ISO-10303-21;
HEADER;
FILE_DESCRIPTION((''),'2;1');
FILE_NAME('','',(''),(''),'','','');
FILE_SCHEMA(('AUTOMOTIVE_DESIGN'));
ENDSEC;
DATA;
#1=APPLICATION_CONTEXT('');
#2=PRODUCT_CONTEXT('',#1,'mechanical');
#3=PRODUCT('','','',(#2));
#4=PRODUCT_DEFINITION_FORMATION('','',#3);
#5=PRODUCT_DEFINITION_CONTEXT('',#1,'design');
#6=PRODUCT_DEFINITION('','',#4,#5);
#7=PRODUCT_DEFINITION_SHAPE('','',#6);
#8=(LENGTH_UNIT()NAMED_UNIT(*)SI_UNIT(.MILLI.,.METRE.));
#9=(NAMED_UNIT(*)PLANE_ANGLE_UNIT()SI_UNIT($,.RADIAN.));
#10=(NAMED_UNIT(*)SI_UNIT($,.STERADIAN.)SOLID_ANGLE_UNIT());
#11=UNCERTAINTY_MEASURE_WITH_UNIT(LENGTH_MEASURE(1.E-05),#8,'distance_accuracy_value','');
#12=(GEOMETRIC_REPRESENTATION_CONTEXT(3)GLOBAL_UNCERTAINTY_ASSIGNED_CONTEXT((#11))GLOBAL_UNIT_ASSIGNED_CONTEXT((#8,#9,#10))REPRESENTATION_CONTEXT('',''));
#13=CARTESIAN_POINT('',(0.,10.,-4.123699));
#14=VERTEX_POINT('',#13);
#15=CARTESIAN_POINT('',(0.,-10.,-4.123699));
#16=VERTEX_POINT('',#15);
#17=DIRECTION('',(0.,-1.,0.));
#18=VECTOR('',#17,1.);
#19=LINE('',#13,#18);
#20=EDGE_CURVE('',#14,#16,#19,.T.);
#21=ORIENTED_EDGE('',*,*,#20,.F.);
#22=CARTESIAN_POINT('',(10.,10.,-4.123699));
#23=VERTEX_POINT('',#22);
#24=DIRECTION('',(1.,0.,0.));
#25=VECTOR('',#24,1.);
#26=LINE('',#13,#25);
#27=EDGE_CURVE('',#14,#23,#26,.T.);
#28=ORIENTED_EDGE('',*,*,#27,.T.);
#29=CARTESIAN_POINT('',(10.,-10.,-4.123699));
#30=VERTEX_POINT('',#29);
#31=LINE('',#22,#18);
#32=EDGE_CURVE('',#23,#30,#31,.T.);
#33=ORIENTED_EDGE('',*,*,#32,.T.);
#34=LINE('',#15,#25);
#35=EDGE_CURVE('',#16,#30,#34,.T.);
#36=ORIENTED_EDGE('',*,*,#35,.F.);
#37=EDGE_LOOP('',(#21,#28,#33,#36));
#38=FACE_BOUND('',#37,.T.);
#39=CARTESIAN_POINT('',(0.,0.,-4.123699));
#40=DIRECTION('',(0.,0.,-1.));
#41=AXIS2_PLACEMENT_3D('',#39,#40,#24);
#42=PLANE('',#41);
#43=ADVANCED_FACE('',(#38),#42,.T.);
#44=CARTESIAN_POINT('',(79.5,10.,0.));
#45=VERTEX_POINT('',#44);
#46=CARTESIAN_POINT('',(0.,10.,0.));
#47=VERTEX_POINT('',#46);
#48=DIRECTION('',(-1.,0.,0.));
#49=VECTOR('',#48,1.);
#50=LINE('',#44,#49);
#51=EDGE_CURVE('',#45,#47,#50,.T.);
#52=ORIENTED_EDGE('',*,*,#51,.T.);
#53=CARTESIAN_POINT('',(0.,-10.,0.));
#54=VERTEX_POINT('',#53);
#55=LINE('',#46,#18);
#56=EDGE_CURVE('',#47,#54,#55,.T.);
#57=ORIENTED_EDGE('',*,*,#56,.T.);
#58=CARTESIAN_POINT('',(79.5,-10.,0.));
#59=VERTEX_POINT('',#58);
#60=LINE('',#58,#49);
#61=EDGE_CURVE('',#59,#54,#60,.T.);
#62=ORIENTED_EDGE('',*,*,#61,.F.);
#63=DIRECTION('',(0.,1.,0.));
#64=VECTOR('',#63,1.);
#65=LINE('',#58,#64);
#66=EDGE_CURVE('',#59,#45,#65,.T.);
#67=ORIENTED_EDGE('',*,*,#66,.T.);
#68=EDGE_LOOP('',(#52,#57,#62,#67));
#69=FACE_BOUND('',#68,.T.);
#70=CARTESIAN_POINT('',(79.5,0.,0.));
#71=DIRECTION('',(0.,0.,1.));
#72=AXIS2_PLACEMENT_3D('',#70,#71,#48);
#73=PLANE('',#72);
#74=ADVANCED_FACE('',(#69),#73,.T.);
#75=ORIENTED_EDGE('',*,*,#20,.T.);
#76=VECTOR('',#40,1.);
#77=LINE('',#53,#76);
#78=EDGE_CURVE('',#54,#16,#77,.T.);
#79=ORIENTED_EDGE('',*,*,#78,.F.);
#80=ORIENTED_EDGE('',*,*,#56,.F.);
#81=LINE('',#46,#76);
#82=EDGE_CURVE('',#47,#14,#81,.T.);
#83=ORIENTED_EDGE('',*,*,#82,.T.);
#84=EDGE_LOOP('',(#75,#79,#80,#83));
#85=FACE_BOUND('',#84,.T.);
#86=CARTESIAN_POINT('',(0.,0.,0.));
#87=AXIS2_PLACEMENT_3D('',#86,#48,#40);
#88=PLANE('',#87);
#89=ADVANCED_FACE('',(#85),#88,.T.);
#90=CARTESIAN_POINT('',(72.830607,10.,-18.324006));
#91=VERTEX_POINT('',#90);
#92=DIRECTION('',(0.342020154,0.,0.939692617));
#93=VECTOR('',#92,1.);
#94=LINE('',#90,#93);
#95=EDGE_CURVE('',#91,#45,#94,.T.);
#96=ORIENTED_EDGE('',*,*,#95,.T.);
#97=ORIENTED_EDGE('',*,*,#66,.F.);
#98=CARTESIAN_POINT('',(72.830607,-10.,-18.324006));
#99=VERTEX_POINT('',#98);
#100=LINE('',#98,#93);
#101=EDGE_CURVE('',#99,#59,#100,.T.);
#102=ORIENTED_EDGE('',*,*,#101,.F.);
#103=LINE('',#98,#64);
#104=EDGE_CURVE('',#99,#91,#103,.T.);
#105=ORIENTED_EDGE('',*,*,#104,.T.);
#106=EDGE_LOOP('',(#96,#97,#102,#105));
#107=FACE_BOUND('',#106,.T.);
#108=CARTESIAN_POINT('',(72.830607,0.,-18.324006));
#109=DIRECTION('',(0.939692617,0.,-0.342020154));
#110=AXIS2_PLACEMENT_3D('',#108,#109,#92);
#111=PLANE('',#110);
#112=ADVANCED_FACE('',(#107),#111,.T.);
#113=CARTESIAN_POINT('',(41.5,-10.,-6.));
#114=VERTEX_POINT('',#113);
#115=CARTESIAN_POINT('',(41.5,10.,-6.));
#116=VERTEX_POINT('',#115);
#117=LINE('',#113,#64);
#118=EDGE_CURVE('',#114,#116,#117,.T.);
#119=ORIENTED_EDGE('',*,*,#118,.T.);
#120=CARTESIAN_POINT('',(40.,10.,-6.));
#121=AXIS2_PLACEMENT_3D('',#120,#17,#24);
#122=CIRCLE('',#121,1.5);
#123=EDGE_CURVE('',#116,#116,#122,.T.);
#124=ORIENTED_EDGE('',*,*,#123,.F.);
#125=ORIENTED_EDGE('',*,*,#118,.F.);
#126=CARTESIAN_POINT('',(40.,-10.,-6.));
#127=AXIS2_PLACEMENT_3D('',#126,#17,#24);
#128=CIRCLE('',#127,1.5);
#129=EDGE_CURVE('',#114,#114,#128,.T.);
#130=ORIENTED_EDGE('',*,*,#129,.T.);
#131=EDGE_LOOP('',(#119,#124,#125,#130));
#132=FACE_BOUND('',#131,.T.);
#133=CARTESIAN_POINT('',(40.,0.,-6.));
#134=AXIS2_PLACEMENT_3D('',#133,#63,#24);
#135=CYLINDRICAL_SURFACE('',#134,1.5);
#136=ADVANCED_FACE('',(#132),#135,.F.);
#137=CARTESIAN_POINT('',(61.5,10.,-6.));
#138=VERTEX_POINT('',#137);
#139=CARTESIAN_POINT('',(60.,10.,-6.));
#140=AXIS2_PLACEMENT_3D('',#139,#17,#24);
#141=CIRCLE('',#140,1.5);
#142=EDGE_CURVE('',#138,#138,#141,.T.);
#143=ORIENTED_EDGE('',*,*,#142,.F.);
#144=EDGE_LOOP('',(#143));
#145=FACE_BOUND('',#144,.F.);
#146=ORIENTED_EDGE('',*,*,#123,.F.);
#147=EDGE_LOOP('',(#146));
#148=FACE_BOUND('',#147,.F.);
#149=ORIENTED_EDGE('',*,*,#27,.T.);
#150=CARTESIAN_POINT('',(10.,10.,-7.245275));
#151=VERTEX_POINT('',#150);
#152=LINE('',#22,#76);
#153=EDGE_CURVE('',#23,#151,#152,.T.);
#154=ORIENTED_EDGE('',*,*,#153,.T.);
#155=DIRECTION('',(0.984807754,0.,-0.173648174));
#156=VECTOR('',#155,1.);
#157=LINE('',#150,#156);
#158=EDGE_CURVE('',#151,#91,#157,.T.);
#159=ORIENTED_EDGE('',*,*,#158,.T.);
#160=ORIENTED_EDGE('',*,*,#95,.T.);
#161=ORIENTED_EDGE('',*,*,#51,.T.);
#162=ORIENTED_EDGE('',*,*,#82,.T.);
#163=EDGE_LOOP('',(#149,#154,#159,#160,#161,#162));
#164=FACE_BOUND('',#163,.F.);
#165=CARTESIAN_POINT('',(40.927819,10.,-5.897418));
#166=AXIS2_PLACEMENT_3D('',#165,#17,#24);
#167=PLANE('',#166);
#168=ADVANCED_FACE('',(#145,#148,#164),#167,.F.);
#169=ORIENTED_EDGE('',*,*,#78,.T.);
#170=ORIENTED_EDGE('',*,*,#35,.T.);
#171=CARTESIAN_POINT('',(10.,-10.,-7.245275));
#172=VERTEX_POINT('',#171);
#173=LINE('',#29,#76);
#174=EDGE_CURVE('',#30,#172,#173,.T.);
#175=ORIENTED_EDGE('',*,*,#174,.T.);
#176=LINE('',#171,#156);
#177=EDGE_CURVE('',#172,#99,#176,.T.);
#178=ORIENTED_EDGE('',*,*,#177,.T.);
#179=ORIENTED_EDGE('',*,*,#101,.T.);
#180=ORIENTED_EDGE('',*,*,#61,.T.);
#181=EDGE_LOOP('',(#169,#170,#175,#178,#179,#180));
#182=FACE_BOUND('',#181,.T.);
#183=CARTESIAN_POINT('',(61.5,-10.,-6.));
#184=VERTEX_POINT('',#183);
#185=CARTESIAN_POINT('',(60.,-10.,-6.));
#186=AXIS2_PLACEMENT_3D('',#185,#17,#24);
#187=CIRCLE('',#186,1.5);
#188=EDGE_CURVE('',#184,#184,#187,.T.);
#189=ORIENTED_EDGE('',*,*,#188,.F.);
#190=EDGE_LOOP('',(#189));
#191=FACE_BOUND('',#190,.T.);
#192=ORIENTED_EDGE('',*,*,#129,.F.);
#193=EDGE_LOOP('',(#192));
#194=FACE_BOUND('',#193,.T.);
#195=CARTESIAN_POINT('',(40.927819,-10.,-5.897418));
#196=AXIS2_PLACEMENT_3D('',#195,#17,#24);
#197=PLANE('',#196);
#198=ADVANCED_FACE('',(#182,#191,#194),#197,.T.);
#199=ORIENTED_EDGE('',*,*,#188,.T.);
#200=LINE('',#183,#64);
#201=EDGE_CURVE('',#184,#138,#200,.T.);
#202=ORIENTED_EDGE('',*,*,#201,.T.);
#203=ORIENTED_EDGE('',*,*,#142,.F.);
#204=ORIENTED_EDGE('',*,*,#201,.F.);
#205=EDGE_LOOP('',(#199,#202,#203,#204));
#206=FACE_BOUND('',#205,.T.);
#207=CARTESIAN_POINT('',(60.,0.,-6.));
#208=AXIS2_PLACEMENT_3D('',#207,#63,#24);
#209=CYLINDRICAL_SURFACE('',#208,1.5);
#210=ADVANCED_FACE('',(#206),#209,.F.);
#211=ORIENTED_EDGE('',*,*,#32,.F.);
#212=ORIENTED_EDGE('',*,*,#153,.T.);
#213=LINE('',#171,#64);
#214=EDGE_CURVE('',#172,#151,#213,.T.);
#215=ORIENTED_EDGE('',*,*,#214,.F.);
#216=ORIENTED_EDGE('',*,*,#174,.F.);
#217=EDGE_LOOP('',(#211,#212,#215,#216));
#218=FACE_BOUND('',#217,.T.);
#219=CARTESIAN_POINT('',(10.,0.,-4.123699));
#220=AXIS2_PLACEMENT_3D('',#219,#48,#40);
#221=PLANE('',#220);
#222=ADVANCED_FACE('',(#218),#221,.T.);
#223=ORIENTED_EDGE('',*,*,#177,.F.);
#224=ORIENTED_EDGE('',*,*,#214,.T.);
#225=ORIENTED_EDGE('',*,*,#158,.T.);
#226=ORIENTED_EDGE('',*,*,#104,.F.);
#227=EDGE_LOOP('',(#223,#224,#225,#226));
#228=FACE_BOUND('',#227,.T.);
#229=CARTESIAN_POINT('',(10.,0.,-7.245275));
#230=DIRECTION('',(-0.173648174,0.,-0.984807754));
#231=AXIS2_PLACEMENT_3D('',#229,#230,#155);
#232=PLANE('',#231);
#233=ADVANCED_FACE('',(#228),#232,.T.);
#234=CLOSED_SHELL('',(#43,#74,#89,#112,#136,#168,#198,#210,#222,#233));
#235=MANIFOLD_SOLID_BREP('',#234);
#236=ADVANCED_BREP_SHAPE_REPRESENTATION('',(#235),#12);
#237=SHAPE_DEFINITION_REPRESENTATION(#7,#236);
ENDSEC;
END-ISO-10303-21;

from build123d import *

# Parameters (mm, degrees)
F0_R     = 1.5
F1_DEPTH = 10


with BuildPart() as f1:
    # F0 (on Front) → F1 (new body, symmetric)
    with BuildSketch(Plane.XZ):
        Polygon((79.5, 0), (0, 0), (0, -4.123699), (10, -4.123699), (10, -7.245275), (72.830607, -18.324006), align=None)
        with Locations((40, -6)):
            Circle(F0_R, mode=Mode.SUBTRACT)
        with Locations((60, -6)):
            Circle(F0_R, mode=Mode.SUBTRACT)
    extrude(amount=F1_DEPTH, both=True)


solid = f1.part
